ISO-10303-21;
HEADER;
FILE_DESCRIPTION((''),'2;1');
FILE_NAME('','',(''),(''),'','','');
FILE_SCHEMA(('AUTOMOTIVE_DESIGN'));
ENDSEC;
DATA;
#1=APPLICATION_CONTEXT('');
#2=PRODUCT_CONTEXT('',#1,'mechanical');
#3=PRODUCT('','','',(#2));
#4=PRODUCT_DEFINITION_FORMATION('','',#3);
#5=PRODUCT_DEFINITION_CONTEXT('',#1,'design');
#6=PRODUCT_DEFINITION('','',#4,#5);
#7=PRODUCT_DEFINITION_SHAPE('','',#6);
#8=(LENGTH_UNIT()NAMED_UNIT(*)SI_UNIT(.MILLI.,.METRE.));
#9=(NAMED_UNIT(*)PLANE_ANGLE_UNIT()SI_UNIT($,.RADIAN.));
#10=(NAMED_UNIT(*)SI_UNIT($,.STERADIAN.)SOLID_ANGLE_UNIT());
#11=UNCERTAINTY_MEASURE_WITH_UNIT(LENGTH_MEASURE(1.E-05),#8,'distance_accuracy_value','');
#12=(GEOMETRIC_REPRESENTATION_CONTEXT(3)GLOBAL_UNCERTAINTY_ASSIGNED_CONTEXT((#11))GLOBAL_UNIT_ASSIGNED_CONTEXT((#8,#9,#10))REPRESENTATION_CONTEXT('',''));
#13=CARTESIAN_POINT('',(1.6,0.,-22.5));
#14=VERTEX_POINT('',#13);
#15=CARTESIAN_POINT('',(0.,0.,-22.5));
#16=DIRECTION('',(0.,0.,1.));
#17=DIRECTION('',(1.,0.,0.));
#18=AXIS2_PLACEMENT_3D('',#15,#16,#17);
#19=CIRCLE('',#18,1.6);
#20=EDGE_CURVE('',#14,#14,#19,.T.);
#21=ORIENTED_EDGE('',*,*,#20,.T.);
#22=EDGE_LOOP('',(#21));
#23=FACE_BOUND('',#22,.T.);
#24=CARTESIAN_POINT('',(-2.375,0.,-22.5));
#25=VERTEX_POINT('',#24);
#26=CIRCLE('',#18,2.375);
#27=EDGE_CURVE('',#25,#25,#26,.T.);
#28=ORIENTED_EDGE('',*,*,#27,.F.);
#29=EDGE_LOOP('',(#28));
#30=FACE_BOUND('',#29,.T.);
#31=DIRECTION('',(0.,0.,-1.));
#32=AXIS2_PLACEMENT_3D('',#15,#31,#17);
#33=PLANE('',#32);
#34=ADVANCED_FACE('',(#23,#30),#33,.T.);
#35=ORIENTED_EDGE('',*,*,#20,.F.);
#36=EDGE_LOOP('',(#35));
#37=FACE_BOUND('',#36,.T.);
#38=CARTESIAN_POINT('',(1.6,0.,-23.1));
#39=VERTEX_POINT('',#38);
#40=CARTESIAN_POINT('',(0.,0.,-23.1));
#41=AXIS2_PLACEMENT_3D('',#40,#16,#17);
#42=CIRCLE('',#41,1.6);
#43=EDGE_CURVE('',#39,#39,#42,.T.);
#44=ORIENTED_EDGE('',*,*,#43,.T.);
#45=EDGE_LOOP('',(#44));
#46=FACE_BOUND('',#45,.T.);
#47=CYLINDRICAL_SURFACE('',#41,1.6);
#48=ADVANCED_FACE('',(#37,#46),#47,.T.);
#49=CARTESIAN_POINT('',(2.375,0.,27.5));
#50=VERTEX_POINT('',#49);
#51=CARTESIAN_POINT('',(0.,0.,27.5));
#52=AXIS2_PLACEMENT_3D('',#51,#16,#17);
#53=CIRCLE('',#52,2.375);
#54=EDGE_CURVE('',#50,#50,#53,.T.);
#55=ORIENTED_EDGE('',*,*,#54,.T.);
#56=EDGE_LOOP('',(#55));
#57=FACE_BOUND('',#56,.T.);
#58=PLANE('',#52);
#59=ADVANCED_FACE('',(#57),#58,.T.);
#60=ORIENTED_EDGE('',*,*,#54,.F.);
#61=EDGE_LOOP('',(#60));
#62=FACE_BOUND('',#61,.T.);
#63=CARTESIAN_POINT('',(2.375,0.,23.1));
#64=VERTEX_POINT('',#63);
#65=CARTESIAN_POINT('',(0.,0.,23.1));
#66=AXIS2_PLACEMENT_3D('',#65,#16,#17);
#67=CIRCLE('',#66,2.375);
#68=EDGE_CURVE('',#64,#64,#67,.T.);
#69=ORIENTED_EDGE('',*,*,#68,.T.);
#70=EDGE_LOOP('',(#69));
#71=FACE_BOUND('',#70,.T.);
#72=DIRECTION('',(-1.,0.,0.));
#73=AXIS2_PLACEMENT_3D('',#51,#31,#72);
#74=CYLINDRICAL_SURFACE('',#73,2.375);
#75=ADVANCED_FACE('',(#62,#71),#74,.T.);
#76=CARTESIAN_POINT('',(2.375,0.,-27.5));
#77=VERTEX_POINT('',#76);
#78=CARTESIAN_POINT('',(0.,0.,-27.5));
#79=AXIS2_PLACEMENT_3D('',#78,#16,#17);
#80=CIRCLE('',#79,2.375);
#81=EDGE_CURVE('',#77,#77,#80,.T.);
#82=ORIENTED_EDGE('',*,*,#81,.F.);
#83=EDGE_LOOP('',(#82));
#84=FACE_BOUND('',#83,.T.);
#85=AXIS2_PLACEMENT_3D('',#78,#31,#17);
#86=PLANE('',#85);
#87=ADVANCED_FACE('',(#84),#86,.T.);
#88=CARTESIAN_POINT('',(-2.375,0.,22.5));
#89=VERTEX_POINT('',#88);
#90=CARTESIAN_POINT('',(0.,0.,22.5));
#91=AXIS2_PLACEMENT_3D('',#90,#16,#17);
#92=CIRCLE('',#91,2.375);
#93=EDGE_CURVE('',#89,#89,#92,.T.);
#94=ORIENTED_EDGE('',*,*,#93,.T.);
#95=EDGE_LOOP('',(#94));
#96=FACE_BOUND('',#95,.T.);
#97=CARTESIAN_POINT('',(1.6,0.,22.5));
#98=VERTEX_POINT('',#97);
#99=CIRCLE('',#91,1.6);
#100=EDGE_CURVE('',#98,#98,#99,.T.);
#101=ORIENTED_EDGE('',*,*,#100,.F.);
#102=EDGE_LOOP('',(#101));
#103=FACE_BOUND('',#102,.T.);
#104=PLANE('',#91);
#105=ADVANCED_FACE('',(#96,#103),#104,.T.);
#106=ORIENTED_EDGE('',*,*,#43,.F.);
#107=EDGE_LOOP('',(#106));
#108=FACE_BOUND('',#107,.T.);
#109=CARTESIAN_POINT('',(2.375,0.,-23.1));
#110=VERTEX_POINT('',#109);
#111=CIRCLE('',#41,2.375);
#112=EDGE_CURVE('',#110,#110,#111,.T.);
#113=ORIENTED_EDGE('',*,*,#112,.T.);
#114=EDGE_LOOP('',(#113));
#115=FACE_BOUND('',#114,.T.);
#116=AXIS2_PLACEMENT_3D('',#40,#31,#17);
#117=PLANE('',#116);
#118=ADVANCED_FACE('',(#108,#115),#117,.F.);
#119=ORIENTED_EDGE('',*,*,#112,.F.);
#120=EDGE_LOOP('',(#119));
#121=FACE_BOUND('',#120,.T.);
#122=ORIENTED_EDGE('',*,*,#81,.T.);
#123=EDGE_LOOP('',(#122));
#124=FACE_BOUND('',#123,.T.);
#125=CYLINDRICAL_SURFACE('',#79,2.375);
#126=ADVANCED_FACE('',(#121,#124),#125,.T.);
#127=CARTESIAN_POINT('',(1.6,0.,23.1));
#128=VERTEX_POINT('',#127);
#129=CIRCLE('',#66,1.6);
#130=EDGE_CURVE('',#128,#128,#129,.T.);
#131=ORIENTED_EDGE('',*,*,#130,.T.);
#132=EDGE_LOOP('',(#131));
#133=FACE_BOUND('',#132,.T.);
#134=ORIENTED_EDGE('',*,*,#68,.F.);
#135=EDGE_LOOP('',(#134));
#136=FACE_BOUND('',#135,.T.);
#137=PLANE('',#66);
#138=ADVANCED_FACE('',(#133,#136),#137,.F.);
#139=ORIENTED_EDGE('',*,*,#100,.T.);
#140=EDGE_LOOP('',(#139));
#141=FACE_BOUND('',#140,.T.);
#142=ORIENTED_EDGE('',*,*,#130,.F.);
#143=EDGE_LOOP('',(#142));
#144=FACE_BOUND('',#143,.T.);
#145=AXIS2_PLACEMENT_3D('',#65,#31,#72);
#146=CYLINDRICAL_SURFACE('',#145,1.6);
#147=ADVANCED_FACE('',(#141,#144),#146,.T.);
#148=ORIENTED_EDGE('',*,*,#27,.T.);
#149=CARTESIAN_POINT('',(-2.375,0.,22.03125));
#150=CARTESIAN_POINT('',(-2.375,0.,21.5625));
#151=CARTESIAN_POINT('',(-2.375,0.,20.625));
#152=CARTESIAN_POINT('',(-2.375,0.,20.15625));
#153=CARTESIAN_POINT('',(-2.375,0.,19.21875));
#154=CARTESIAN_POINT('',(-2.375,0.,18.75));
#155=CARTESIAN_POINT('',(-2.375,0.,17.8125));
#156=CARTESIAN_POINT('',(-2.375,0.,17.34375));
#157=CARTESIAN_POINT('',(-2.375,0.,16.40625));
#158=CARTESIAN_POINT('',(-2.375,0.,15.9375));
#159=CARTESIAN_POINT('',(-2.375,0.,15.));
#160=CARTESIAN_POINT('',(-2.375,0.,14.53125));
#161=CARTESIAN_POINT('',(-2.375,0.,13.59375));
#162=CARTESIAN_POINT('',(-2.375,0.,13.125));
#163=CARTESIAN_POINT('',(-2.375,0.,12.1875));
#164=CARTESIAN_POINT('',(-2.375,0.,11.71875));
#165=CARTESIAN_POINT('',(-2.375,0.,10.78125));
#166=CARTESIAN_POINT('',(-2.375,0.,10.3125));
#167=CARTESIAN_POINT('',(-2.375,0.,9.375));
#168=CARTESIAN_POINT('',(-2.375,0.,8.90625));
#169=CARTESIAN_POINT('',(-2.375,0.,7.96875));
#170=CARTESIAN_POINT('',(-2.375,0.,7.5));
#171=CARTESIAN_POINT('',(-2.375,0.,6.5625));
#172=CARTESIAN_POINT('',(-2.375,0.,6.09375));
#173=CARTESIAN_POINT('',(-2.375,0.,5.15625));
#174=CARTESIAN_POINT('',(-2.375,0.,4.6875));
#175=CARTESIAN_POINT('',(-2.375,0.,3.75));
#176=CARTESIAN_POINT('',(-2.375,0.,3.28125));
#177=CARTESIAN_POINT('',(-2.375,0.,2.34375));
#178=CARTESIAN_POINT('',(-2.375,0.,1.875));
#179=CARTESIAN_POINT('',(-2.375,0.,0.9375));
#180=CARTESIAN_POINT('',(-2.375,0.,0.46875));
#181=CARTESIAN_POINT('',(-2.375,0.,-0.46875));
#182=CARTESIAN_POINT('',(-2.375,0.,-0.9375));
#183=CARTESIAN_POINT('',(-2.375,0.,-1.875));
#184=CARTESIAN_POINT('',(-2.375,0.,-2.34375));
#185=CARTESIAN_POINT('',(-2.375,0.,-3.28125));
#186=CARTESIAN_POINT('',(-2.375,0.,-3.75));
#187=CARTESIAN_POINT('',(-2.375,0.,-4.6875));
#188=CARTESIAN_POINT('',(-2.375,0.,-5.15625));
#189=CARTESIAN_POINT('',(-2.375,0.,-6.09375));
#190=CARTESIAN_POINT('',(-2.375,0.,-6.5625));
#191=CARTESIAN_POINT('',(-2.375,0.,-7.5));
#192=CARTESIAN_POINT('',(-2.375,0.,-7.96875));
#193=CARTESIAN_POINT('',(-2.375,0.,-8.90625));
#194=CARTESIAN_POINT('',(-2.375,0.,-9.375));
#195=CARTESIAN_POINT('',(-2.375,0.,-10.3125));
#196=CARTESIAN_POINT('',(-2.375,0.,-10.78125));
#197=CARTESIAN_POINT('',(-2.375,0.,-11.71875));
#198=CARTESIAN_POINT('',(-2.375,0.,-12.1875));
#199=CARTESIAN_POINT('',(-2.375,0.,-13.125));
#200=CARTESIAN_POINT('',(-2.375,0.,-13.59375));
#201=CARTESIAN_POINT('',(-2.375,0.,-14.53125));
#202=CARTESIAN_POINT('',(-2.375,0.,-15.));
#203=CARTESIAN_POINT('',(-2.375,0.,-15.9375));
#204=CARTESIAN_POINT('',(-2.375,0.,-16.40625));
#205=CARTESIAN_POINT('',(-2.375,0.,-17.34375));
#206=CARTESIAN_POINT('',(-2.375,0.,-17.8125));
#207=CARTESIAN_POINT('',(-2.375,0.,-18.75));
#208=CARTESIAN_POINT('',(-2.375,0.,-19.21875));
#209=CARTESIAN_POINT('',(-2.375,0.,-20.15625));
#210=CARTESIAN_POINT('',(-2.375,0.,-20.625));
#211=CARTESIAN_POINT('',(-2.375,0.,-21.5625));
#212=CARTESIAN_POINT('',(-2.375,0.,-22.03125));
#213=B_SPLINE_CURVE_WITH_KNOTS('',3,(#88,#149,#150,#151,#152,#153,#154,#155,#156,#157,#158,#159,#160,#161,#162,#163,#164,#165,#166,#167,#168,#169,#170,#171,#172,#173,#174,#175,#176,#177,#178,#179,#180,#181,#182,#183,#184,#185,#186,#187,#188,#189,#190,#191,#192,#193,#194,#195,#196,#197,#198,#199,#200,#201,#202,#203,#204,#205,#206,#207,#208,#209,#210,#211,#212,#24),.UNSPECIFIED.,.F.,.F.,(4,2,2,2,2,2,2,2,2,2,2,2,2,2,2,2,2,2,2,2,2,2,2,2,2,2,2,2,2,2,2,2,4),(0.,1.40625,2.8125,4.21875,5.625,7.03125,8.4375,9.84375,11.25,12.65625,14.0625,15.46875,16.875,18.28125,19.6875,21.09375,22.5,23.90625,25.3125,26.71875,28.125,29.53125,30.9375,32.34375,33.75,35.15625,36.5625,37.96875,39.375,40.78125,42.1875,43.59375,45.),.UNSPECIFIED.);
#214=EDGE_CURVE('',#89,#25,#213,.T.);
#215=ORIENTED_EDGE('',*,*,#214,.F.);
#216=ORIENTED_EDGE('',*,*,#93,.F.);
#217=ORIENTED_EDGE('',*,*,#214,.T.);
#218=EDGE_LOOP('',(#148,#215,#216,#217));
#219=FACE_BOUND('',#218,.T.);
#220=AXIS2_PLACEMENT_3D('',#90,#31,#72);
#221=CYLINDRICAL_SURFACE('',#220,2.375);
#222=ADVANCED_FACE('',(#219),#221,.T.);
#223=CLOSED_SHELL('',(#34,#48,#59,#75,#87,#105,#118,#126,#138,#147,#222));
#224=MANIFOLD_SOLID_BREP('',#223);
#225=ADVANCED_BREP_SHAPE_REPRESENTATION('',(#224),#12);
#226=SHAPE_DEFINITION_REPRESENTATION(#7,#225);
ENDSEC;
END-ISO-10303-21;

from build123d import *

# Parameters (mm, degrees)
SKETCH1_R           = 2.375
BOSS_EXTRUDE1_DEPTH = 22.5
SKETCH2_R           = 1.6
BOSS_EXTRUDE2_DEPTH = 0.6
SKETCH3_R           = 2.375
BOSS_EXTRUDE3_DEPTH = 4.4


with BuildPart() as part:
    # Sketch1 → Boss-Extrude1 (new body)
    with BuildSketch(Plane.XY):
        with Locations(Location((0, 0, 0), (0, 0, 180))):
            Circle(SKETCH1_R)
    boss_extrude1 = extrude(amount=BOSS_EXTRUDE1_DEPTH)

    # Sketch2 → Boss-Extrude2 (add)
    with BuildSketch(Plane.XY.offset(22.5)):
        Circle(SKETCH2_R)
    boss_extrude2 = extrude(amount=BOSS_EXTRUDE2_DEPTH)

    # Sketch3 → Boss-Extrude3 (add)
    with BuildSketch(Plane.XY.offset(23.1)):
        with Locations(Location((0, 0, 0), (0, 0, 180))):
            Circle(SKETCH3_R)
    boss_extrude3 = extrude(amount=BOSS_EXTRUDE3_DEPTH)

    # Mirror1: Boss-Extrude1, Boss-Extrude2, Boss-Extrude3 across plane
    add(boss_extrude1.mirror(Plane.XY))
    add(boss_extrude2.mirror(Plane.XY))
    add(boss_extrude3.mirror(Plane.XY))


solid = part.part
